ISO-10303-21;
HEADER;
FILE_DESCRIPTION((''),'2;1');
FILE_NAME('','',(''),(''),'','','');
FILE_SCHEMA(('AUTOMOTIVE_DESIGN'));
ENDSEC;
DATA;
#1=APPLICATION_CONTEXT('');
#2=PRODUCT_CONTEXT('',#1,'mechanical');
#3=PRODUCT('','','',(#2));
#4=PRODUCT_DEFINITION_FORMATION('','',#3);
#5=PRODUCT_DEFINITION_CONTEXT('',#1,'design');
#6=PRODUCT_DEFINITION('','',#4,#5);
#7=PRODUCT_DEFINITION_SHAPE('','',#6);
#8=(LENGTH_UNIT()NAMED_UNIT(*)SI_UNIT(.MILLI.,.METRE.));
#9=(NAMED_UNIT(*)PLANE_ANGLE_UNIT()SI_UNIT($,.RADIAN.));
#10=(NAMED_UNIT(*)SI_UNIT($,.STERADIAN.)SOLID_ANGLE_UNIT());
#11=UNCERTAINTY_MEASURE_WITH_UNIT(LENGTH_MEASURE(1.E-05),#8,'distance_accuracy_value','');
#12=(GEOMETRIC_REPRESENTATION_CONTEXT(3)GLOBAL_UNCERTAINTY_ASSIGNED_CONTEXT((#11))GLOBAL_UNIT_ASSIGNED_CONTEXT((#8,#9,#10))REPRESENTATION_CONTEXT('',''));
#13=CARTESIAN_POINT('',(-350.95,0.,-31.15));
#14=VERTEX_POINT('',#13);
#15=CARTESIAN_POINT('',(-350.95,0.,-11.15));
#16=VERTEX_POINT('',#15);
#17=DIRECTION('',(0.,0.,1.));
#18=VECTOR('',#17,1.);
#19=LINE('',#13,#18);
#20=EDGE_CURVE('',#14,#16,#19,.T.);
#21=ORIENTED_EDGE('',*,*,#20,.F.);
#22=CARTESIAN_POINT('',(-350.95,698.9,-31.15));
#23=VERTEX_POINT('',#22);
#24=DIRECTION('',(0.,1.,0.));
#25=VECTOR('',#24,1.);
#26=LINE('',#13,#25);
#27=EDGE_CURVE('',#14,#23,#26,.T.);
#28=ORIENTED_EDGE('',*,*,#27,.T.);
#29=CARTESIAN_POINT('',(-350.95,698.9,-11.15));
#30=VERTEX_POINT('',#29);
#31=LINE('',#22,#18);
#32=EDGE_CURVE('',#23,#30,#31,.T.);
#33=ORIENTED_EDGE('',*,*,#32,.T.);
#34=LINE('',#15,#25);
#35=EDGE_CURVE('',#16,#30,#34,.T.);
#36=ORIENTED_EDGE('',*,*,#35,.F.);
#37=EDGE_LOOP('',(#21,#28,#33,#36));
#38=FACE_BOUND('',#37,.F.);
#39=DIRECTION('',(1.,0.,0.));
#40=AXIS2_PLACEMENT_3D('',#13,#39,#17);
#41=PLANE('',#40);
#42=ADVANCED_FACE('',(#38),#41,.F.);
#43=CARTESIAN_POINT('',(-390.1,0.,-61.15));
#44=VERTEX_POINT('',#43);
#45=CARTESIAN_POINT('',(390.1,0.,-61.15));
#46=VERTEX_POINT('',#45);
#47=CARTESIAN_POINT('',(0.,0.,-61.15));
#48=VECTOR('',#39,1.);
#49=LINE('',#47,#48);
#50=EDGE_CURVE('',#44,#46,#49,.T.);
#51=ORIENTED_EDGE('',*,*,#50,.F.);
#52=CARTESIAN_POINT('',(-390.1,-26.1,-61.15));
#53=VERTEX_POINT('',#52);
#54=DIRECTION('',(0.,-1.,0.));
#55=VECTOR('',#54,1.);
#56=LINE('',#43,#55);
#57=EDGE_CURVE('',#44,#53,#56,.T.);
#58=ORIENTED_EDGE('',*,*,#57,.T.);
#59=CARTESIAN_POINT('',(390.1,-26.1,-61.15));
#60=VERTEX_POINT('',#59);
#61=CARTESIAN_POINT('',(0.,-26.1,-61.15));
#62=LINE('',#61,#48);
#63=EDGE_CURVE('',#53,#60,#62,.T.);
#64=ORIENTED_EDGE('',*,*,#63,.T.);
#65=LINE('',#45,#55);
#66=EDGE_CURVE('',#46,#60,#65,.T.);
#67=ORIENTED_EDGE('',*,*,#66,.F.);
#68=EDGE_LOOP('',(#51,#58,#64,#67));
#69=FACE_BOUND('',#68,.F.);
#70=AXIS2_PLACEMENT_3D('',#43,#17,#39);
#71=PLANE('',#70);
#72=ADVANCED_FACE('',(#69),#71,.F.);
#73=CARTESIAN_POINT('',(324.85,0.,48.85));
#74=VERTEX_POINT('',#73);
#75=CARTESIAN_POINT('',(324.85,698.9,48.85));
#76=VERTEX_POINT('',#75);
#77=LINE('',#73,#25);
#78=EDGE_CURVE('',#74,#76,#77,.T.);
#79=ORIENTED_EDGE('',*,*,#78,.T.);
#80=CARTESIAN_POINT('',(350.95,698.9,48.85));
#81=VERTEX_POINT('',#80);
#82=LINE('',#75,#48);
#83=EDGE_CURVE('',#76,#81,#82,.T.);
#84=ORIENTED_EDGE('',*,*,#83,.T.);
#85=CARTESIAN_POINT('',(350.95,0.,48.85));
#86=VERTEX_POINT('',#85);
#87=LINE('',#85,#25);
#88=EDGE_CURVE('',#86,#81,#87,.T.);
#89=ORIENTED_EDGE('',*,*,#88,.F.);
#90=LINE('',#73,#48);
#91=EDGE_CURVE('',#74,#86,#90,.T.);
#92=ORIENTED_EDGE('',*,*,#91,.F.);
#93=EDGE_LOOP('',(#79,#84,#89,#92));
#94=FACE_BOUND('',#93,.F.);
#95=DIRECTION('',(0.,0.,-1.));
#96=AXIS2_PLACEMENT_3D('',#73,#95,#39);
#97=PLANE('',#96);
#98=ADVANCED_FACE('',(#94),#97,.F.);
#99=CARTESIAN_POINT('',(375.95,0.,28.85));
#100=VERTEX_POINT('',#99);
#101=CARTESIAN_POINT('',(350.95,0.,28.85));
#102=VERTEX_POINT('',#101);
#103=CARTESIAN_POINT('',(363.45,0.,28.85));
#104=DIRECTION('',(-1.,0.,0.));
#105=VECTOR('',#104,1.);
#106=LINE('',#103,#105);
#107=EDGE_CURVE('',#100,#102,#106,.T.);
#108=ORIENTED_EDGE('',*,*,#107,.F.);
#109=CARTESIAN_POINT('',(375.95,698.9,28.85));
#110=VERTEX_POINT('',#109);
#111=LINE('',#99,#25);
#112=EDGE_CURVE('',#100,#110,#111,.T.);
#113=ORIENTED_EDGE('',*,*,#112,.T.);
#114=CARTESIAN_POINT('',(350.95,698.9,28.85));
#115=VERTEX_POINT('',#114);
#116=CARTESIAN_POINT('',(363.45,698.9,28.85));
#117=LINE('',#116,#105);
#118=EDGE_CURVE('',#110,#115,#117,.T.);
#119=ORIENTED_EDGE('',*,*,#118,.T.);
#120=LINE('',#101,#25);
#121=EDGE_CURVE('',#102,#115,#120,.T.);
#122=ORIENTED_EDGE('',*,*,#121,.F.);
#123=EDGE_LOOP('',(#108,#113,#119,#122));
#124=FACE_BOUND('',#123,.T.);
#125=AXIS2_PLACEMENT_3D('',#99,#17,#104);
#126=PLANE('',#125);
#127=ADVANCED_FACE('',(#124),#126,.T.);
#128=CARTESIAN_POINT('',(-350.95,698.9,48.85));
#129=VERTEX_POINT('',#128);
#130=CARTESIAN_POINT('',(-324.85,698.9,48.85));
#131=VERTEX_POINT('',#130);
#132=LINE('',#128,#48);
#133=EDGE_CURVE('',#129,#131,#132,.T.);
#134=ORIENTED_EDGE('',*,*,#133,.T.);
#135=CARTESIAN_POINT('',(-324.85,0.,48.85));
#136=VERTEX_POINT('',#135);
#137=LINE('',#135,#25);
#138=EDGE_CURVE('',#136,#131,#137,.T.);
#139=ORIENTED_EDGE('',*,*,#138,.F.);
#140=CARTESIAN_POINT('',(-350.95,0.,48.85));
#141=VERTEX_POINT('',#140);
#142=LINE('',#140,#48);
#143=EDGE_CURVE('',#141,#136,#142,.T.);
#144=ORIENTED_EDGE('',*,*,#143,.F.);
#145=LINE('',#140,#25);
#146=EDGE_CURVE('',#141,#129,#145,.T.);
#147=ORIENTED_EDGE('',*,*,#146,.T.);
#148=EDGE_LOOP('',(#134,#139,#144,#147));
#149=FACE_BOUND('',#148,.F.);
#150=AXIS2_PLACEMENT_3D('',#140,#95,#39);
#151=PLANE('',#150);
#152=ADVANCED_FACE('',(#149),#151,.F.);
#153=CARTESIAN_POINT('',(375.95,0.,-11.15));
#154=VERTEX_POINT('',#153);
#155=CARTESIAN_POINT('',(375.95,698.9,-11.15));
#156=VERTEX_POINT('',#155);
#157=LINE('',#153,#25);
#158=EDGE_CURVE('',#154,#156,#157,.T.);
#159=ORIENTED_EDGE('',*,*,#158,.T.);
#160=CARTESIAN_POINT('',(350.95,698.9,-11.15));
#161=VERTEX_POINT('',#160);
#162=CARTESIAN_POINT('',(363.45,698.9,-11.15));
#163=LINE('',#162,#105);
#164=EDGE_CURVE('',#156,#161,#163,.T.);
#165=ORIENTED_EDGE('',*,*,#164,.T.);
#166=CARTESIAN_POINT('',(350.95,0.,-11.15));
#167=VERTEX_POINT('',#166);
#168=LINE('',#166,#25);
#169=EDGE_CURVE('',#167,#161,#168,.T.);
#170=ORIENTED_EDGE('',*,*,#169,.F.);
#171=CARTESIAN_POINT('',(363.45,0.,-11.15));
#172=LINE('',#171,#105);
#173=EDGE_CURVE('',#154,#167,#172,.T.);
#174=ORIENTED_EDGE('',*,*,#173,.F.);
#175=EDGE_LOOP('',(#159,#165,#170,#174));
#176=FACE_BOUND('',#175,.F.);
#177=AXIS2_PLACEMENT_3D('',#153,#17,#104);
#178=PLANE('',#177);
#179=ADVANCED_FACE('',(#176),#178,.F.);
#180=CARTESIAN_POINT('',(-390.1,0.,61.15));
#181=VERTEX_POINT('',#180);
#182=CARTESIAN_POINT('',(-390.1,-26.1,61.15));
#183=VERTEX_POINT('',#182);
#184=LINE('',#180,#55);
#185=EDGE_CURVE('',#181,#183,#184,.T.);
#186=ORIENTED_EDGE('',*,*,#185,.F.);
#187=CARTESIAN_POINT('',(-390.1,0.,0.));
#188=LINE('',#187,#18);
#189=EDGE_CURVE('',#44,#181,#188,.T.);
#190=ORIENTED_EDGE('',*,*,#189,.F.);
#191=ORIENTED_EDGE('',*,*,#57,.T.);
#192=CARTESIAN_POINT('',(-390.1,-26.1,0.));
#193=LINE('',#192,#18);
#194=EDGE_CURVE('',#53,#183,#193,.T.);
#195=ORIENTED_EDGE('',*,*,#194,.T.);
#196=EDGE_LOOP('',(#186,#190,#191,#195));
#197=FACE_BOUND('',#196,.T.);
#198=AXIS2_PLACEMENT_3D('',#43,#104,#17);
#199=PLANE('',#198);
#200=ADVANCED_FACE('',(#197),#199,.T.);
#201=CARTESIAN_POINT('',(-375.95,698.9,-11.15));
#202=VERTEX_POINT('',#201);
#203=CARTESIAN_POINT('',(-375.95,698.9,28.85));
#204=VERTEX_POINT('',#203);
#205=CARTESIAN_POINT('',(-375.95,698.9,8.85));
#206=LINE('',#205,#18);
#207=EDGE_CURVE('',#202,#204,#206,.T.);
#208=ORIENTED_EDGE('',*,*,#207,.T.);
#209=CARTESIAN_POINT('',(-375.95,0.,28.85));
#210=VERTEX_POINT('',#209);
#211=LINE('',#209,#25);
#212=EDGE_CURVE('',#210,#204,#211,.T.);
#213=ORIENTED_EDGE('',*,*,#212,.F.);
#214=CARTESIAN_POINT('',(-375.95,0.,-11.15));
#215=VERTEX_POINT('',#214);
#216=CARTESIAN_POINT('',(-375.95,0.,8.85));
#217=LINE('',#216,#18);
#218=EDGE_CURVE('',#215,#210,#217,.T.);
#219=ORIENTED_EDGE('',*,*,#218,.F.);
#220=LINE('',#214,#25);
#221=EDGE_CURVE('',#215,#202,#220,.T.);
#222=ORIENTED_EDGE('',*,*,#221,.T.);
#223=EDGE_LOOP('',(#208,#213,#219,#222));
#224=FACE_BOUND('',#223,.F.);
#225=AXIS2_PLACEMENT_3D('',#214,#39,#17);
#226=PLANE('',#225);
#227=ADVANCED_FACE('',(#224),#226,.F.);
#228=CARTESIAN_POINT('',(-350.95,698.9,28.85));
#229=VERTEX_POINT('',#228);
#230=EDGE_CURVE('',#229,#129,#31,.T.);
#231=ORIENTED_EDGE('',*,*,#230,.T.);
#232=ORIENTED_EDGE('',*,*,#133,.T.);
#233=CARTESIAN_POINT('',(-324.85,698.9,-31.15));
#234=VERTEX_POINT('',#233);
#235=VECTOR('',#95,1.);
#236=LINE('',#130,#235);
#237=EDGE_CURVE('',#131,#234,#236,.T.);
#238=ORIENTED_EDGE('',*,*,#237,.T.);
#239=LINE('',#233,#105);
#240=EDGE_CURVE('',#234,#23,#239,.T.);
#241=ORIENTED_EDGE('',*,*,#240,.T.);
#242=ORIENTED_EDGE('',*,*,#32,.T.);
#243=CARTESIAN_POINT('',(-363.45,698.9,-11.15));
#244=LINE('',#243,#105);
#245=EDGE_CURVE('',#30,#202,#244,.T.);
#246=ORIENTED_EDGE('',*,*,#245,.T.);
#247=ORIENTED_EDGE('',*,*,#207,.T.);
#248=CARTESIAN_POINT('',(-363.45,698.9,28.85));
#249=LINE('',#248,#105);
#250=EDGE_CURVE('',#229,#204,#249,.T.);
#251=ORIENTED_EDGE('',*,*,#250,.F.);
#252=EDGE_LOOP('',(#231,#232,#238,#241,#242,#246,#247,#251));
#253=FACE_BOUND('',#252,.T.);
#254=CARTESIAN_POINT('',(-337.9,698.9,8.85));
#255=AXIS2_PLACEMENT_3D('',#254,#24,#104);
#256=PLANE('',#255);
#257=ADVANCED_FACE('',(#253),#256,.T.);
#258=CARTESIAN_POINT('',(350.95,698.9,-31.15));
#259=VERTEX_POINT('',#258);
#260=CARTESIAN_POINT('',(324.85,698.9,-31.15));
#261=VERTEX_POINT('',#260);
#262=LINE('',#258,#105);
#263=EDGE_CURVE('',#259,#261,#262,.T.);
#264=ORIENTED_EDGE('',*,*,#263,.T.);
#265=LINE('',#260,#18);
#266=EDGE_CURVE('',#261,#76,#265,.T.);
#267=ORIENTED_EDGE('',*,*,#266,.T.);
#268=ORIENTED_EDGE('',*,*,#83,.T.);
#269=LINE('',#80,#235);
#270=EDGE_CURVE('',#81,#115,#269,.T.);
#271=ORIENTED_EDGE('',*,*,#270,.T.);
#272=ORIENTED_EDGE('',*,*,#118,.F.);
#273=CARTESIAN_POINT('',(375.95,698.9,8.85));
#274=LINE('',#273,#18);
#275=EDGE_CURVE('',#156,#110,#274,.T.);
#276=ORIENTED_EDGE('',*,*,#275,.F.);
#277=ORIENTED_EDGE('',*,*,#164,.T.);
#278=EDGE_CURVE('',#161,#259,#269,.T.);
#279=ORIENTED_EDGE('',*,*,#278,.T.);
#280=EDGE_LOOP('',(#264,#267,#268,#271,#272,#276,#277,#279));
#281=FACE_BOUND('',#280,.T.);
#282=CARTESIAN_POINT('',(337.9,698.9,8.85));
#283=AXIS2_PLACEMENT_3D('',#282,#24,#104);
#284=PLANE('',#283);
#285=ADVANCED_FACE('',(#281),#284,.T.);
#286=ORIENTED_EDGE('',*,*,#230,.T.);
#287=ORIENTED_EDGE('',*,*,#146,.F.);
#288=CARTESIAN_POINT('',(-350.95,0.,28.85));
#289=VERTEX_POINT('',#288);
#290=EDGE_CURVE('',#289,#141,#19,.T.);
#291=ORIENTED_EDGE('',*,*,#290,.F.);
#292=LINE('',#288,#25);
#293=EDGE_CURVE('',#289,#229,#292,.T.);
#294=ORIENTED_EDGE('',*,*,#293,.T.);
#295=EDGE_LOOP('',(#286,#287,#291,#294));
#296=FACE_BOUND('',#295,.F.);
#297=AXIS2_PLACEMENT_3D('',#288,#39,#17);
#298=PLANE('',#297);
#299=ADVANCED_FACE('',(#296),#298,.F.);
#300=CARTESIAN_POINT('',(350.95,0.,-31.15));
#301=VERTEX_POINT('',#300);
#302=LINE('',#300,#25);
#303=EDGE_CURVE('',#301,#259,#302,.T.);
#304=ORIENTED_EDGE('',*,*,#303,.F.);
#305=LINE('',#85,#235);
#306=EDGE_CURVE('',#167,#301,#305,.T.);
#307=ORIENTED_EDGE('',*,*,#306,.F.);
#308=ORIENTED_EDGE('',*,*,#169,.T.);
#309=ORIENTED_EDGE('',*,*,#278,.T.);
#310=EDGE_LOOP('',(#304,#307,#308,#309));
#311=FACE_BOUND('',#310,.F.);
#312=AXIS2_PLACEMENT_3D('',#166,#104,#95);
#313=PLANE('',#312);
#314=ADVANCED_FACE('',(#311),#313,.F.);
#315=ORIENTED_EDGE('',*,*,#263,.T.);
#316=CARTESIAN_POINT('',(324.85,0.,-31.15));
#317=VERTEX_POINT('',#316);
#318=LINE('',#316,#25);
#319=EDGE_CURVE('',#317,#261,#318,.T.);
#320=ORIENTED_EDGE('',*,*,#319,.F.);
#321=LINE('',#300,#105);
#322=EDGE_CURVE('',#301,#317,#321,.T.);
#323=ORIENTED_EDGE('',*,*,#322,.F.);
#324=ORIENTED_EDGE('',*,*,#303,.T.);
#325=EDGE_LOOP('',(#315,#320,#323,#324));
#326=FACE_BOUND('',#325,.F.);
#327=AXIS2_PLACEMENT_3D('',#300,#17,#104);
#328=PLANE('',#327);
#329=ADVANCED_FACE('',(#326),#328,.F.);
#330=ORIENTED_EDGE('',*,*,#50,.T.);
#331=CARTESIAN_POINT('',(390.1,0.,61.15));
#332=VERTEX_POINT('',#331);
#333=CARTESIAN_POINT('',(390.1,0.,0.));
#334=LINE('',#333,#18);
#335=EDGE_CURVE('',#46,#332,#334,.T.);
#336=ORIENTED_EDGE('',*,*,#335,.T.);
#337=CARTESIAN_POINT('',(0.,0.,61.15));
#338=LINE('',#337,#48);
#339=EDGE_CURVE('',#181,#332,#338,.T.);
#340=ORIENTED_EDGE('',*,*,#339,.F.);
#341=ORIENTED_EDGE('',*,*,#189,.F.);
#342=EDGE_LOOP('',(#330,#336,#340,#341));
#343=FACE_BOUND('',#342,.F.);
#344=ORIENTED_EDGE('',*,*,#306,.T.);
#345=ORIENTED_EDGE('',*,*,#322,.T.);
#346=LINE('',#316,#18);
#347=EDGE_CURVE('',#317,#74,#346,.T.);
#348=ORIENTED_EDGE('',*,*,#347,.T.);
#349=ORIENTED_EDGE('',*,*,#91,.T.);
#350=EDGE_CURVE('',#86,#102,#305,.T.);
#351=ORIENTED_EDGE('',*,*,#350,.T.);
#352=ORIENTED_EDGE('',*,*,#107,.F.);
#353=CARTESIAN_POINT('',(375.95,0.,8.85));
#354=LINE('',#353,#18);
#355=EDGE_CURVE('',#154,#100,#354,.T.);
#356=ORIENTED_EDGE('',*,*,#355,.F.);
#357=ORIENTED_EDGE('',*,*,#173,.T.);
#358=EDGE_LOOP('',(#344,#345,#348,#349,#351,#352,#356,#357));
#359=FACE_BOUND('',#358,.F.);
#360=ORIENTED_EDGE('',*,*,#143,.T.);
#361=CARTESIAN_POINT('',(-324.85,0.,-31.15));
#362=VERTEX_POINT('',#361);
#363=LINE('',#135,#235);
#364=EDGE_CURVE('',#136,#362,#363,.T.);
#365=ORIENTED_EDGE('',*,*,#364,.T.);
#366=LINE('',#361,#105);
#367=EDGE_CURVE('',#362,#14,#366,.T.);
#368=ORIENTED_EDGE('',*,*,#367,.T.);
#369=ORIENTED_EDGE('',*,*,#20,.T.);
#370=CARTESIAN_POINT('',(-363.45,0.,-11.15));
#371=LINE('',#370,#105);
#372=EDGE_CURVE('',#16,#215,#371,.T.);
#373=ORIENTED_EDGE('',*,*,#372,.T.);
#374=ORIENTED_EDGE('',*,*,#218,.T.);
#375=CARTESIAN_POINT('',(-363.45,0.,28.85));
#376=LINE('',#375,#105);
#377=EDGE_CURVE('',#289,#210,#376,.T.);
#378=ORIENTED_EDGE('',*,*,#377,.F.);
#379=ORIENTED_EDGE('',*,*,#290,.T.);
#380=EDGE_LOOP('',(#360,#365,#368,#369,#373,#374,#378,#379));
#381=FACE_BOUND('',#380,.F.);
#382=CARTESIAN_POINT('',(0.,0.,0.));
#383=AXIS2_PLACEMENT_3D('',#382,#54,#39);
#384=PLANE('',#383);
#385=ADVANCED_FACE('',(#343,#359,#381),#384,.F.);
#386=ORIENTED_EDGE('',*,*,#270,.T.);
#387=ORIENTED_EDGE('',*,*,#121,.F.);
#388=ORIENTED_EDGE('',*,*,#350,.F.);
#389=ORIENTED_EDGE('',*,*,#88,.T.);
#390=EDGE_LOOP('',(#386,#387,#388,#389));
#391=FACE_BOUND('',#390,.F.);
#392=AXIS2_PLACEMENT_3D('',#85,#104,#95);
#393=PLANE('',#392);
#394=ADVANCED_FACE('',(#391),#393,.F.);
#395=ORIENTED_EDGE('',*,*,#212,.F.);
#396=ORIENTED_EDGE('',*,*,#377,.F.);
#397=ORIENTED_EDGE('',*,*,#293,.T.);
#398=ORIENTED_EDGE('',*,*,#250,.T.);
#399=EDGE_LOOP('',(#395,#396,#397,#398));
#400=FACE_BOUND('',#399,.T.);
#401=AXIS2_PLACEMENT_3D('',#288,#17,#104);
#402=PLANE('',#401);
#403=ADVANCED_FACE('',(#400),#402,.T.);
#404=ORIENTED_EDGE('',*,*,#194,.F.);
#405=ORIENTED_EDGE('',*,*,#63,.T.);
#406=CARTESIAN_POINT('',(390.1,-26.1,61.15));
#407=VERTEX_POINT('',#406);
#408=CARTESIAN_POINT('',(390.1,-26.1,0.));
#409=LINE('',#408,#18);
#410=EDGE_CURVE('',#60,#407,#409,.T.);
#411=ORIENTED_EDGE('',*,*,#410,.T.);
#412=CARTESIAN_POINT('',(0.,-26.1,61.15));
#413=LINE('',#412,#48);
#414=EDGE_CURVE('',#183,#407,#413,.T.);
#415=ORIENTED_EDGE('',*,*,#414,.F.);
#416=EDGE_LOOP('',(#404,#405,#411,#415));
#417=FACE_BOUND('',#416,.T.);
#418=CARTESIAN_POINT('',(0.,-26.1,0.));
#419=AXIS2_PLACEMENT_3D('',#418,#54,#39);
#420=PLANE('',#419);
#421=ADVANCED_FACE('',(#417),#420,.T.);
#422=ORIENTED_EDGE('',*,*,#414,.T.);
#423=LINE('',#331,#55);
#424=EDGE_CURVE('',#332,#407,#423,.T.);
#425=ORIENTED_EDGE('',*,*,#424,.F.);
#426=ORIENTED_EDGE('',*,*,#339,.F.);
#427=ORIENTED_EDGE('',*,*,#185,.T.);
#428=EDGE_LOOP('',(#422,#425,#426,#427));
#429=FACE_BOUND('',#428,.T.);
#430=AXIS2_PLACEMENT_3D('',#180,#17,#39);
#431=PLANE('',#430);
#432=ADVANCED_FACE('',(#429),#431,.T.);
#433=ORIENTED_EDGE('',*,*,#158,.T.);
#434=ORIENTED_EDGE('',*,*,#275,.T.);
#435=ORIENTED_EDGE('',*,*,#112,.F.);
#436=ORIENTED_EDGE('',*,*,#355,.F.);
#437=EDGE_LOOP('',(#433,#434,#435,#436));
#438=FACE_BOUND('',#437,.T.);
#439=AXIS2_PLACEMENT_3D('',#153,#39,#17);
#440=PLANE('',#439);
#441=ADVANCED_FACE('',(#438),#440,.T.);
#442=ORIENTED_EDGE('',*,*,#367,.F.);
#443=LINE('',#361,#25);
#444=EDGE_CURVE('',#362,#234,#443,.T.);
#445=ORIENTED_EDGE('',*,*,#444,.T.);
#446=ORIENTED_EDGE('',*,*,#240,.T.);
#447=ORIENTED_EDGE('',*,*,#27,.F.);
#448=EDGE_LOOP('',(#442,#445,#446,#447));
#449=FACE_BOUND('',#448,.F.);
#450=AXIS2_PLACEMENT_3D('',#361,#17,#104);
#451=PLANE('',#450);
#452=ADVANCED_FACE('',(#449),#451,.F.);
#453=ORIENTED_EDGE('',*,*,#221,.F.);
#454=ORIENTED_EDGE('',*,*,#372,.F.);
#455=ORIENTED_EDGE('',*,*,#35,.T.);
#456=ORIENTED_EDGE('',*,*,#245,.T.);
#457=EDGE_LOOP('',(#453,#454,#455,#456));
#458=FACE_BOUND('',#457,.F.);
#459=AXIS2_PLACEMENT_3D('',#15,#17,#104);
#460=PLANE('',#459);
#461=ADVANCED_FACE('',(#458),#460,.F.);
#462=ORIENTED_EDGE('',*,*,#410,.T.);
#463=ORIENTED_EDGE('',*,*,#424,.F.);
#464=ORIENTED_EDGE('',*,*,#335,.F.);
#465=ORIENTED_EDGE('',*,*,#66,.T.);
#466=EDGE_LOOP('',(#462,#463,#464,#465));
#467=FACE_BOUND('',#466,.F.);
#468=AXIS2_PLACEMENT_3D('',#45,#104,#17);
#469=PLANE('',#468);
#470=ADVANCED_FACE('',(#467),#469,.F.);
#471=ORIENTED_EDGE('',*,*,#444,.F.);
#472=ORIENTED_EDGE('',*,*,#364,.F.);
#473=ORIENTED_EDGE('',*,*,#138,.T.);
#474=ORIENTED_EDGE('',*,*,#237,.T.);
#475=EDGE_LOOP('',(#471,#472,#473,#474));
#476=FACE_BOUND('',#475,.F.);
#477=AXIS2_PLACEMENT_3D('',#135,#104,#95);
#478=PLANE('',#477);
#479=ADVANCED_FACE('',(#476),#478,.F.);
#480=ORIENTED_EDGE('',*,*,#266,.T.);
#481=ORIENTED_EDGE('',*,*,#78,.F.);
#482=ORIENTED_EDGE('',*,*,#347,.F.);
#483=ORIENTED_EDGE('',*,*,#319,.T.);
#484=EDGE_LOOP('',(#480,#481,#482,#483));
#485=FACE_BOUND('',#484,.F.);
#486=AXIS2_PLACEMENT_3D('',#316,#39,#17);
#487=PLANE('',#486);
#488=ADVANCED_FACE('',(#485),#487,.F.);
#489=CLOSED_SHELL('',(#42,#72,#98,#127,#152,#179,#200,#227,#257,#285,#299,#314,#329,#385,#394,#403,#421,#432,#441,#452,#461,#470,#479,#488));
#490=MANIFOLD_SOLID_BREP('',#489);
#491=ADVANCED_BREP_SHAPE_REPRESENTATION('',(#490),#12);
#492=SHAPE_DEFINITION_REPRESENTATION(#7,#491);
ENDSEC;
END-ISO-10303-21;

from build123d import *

# Parameters (mm, degrees)
F0_W     = 780.2
F0_H     = 122.3
F1_DEPTH = 26.1
F2_W     = 25
F2_H     = 40
F3_DEPTH = 698.9


with BuildPart() as f1:
    # F0 (on Front) → F1 (new body)
    with BuildSketch(Plane.XZ):
        Rectangle(F0_W, F0_H)
    extrude(amount=F1_DEPTH)

    # F2 (on face) → F3 (join)
    with BuildSketch(Plane(origin=(0, 0, 0), x_dir=(-1, 0, 0), z_dir=(0, 1, 0))):
        Polygon((-350.95, 48.85), (-350.95, 28.85), (-350.95, -11.15), (-350.95, -31.15), (-324.85, -31.15), (-324.85, 48.85), align=None)
        Polygon((350.95, 28.85), (350.95, 48.85), (324.85, 48.85), (324.85, -31.15), (350.95, -31.15), (350.95, -11.15), align=None)
        with Locations((363.45, 8.85)):
            Rectangle(F2_W, F2_H)
        with Locations((-363.45, 8.85)):
            Rectangle(F2_W, F2_H)
    extrude(amount=F3_DEPTH)


solid = f1.part
